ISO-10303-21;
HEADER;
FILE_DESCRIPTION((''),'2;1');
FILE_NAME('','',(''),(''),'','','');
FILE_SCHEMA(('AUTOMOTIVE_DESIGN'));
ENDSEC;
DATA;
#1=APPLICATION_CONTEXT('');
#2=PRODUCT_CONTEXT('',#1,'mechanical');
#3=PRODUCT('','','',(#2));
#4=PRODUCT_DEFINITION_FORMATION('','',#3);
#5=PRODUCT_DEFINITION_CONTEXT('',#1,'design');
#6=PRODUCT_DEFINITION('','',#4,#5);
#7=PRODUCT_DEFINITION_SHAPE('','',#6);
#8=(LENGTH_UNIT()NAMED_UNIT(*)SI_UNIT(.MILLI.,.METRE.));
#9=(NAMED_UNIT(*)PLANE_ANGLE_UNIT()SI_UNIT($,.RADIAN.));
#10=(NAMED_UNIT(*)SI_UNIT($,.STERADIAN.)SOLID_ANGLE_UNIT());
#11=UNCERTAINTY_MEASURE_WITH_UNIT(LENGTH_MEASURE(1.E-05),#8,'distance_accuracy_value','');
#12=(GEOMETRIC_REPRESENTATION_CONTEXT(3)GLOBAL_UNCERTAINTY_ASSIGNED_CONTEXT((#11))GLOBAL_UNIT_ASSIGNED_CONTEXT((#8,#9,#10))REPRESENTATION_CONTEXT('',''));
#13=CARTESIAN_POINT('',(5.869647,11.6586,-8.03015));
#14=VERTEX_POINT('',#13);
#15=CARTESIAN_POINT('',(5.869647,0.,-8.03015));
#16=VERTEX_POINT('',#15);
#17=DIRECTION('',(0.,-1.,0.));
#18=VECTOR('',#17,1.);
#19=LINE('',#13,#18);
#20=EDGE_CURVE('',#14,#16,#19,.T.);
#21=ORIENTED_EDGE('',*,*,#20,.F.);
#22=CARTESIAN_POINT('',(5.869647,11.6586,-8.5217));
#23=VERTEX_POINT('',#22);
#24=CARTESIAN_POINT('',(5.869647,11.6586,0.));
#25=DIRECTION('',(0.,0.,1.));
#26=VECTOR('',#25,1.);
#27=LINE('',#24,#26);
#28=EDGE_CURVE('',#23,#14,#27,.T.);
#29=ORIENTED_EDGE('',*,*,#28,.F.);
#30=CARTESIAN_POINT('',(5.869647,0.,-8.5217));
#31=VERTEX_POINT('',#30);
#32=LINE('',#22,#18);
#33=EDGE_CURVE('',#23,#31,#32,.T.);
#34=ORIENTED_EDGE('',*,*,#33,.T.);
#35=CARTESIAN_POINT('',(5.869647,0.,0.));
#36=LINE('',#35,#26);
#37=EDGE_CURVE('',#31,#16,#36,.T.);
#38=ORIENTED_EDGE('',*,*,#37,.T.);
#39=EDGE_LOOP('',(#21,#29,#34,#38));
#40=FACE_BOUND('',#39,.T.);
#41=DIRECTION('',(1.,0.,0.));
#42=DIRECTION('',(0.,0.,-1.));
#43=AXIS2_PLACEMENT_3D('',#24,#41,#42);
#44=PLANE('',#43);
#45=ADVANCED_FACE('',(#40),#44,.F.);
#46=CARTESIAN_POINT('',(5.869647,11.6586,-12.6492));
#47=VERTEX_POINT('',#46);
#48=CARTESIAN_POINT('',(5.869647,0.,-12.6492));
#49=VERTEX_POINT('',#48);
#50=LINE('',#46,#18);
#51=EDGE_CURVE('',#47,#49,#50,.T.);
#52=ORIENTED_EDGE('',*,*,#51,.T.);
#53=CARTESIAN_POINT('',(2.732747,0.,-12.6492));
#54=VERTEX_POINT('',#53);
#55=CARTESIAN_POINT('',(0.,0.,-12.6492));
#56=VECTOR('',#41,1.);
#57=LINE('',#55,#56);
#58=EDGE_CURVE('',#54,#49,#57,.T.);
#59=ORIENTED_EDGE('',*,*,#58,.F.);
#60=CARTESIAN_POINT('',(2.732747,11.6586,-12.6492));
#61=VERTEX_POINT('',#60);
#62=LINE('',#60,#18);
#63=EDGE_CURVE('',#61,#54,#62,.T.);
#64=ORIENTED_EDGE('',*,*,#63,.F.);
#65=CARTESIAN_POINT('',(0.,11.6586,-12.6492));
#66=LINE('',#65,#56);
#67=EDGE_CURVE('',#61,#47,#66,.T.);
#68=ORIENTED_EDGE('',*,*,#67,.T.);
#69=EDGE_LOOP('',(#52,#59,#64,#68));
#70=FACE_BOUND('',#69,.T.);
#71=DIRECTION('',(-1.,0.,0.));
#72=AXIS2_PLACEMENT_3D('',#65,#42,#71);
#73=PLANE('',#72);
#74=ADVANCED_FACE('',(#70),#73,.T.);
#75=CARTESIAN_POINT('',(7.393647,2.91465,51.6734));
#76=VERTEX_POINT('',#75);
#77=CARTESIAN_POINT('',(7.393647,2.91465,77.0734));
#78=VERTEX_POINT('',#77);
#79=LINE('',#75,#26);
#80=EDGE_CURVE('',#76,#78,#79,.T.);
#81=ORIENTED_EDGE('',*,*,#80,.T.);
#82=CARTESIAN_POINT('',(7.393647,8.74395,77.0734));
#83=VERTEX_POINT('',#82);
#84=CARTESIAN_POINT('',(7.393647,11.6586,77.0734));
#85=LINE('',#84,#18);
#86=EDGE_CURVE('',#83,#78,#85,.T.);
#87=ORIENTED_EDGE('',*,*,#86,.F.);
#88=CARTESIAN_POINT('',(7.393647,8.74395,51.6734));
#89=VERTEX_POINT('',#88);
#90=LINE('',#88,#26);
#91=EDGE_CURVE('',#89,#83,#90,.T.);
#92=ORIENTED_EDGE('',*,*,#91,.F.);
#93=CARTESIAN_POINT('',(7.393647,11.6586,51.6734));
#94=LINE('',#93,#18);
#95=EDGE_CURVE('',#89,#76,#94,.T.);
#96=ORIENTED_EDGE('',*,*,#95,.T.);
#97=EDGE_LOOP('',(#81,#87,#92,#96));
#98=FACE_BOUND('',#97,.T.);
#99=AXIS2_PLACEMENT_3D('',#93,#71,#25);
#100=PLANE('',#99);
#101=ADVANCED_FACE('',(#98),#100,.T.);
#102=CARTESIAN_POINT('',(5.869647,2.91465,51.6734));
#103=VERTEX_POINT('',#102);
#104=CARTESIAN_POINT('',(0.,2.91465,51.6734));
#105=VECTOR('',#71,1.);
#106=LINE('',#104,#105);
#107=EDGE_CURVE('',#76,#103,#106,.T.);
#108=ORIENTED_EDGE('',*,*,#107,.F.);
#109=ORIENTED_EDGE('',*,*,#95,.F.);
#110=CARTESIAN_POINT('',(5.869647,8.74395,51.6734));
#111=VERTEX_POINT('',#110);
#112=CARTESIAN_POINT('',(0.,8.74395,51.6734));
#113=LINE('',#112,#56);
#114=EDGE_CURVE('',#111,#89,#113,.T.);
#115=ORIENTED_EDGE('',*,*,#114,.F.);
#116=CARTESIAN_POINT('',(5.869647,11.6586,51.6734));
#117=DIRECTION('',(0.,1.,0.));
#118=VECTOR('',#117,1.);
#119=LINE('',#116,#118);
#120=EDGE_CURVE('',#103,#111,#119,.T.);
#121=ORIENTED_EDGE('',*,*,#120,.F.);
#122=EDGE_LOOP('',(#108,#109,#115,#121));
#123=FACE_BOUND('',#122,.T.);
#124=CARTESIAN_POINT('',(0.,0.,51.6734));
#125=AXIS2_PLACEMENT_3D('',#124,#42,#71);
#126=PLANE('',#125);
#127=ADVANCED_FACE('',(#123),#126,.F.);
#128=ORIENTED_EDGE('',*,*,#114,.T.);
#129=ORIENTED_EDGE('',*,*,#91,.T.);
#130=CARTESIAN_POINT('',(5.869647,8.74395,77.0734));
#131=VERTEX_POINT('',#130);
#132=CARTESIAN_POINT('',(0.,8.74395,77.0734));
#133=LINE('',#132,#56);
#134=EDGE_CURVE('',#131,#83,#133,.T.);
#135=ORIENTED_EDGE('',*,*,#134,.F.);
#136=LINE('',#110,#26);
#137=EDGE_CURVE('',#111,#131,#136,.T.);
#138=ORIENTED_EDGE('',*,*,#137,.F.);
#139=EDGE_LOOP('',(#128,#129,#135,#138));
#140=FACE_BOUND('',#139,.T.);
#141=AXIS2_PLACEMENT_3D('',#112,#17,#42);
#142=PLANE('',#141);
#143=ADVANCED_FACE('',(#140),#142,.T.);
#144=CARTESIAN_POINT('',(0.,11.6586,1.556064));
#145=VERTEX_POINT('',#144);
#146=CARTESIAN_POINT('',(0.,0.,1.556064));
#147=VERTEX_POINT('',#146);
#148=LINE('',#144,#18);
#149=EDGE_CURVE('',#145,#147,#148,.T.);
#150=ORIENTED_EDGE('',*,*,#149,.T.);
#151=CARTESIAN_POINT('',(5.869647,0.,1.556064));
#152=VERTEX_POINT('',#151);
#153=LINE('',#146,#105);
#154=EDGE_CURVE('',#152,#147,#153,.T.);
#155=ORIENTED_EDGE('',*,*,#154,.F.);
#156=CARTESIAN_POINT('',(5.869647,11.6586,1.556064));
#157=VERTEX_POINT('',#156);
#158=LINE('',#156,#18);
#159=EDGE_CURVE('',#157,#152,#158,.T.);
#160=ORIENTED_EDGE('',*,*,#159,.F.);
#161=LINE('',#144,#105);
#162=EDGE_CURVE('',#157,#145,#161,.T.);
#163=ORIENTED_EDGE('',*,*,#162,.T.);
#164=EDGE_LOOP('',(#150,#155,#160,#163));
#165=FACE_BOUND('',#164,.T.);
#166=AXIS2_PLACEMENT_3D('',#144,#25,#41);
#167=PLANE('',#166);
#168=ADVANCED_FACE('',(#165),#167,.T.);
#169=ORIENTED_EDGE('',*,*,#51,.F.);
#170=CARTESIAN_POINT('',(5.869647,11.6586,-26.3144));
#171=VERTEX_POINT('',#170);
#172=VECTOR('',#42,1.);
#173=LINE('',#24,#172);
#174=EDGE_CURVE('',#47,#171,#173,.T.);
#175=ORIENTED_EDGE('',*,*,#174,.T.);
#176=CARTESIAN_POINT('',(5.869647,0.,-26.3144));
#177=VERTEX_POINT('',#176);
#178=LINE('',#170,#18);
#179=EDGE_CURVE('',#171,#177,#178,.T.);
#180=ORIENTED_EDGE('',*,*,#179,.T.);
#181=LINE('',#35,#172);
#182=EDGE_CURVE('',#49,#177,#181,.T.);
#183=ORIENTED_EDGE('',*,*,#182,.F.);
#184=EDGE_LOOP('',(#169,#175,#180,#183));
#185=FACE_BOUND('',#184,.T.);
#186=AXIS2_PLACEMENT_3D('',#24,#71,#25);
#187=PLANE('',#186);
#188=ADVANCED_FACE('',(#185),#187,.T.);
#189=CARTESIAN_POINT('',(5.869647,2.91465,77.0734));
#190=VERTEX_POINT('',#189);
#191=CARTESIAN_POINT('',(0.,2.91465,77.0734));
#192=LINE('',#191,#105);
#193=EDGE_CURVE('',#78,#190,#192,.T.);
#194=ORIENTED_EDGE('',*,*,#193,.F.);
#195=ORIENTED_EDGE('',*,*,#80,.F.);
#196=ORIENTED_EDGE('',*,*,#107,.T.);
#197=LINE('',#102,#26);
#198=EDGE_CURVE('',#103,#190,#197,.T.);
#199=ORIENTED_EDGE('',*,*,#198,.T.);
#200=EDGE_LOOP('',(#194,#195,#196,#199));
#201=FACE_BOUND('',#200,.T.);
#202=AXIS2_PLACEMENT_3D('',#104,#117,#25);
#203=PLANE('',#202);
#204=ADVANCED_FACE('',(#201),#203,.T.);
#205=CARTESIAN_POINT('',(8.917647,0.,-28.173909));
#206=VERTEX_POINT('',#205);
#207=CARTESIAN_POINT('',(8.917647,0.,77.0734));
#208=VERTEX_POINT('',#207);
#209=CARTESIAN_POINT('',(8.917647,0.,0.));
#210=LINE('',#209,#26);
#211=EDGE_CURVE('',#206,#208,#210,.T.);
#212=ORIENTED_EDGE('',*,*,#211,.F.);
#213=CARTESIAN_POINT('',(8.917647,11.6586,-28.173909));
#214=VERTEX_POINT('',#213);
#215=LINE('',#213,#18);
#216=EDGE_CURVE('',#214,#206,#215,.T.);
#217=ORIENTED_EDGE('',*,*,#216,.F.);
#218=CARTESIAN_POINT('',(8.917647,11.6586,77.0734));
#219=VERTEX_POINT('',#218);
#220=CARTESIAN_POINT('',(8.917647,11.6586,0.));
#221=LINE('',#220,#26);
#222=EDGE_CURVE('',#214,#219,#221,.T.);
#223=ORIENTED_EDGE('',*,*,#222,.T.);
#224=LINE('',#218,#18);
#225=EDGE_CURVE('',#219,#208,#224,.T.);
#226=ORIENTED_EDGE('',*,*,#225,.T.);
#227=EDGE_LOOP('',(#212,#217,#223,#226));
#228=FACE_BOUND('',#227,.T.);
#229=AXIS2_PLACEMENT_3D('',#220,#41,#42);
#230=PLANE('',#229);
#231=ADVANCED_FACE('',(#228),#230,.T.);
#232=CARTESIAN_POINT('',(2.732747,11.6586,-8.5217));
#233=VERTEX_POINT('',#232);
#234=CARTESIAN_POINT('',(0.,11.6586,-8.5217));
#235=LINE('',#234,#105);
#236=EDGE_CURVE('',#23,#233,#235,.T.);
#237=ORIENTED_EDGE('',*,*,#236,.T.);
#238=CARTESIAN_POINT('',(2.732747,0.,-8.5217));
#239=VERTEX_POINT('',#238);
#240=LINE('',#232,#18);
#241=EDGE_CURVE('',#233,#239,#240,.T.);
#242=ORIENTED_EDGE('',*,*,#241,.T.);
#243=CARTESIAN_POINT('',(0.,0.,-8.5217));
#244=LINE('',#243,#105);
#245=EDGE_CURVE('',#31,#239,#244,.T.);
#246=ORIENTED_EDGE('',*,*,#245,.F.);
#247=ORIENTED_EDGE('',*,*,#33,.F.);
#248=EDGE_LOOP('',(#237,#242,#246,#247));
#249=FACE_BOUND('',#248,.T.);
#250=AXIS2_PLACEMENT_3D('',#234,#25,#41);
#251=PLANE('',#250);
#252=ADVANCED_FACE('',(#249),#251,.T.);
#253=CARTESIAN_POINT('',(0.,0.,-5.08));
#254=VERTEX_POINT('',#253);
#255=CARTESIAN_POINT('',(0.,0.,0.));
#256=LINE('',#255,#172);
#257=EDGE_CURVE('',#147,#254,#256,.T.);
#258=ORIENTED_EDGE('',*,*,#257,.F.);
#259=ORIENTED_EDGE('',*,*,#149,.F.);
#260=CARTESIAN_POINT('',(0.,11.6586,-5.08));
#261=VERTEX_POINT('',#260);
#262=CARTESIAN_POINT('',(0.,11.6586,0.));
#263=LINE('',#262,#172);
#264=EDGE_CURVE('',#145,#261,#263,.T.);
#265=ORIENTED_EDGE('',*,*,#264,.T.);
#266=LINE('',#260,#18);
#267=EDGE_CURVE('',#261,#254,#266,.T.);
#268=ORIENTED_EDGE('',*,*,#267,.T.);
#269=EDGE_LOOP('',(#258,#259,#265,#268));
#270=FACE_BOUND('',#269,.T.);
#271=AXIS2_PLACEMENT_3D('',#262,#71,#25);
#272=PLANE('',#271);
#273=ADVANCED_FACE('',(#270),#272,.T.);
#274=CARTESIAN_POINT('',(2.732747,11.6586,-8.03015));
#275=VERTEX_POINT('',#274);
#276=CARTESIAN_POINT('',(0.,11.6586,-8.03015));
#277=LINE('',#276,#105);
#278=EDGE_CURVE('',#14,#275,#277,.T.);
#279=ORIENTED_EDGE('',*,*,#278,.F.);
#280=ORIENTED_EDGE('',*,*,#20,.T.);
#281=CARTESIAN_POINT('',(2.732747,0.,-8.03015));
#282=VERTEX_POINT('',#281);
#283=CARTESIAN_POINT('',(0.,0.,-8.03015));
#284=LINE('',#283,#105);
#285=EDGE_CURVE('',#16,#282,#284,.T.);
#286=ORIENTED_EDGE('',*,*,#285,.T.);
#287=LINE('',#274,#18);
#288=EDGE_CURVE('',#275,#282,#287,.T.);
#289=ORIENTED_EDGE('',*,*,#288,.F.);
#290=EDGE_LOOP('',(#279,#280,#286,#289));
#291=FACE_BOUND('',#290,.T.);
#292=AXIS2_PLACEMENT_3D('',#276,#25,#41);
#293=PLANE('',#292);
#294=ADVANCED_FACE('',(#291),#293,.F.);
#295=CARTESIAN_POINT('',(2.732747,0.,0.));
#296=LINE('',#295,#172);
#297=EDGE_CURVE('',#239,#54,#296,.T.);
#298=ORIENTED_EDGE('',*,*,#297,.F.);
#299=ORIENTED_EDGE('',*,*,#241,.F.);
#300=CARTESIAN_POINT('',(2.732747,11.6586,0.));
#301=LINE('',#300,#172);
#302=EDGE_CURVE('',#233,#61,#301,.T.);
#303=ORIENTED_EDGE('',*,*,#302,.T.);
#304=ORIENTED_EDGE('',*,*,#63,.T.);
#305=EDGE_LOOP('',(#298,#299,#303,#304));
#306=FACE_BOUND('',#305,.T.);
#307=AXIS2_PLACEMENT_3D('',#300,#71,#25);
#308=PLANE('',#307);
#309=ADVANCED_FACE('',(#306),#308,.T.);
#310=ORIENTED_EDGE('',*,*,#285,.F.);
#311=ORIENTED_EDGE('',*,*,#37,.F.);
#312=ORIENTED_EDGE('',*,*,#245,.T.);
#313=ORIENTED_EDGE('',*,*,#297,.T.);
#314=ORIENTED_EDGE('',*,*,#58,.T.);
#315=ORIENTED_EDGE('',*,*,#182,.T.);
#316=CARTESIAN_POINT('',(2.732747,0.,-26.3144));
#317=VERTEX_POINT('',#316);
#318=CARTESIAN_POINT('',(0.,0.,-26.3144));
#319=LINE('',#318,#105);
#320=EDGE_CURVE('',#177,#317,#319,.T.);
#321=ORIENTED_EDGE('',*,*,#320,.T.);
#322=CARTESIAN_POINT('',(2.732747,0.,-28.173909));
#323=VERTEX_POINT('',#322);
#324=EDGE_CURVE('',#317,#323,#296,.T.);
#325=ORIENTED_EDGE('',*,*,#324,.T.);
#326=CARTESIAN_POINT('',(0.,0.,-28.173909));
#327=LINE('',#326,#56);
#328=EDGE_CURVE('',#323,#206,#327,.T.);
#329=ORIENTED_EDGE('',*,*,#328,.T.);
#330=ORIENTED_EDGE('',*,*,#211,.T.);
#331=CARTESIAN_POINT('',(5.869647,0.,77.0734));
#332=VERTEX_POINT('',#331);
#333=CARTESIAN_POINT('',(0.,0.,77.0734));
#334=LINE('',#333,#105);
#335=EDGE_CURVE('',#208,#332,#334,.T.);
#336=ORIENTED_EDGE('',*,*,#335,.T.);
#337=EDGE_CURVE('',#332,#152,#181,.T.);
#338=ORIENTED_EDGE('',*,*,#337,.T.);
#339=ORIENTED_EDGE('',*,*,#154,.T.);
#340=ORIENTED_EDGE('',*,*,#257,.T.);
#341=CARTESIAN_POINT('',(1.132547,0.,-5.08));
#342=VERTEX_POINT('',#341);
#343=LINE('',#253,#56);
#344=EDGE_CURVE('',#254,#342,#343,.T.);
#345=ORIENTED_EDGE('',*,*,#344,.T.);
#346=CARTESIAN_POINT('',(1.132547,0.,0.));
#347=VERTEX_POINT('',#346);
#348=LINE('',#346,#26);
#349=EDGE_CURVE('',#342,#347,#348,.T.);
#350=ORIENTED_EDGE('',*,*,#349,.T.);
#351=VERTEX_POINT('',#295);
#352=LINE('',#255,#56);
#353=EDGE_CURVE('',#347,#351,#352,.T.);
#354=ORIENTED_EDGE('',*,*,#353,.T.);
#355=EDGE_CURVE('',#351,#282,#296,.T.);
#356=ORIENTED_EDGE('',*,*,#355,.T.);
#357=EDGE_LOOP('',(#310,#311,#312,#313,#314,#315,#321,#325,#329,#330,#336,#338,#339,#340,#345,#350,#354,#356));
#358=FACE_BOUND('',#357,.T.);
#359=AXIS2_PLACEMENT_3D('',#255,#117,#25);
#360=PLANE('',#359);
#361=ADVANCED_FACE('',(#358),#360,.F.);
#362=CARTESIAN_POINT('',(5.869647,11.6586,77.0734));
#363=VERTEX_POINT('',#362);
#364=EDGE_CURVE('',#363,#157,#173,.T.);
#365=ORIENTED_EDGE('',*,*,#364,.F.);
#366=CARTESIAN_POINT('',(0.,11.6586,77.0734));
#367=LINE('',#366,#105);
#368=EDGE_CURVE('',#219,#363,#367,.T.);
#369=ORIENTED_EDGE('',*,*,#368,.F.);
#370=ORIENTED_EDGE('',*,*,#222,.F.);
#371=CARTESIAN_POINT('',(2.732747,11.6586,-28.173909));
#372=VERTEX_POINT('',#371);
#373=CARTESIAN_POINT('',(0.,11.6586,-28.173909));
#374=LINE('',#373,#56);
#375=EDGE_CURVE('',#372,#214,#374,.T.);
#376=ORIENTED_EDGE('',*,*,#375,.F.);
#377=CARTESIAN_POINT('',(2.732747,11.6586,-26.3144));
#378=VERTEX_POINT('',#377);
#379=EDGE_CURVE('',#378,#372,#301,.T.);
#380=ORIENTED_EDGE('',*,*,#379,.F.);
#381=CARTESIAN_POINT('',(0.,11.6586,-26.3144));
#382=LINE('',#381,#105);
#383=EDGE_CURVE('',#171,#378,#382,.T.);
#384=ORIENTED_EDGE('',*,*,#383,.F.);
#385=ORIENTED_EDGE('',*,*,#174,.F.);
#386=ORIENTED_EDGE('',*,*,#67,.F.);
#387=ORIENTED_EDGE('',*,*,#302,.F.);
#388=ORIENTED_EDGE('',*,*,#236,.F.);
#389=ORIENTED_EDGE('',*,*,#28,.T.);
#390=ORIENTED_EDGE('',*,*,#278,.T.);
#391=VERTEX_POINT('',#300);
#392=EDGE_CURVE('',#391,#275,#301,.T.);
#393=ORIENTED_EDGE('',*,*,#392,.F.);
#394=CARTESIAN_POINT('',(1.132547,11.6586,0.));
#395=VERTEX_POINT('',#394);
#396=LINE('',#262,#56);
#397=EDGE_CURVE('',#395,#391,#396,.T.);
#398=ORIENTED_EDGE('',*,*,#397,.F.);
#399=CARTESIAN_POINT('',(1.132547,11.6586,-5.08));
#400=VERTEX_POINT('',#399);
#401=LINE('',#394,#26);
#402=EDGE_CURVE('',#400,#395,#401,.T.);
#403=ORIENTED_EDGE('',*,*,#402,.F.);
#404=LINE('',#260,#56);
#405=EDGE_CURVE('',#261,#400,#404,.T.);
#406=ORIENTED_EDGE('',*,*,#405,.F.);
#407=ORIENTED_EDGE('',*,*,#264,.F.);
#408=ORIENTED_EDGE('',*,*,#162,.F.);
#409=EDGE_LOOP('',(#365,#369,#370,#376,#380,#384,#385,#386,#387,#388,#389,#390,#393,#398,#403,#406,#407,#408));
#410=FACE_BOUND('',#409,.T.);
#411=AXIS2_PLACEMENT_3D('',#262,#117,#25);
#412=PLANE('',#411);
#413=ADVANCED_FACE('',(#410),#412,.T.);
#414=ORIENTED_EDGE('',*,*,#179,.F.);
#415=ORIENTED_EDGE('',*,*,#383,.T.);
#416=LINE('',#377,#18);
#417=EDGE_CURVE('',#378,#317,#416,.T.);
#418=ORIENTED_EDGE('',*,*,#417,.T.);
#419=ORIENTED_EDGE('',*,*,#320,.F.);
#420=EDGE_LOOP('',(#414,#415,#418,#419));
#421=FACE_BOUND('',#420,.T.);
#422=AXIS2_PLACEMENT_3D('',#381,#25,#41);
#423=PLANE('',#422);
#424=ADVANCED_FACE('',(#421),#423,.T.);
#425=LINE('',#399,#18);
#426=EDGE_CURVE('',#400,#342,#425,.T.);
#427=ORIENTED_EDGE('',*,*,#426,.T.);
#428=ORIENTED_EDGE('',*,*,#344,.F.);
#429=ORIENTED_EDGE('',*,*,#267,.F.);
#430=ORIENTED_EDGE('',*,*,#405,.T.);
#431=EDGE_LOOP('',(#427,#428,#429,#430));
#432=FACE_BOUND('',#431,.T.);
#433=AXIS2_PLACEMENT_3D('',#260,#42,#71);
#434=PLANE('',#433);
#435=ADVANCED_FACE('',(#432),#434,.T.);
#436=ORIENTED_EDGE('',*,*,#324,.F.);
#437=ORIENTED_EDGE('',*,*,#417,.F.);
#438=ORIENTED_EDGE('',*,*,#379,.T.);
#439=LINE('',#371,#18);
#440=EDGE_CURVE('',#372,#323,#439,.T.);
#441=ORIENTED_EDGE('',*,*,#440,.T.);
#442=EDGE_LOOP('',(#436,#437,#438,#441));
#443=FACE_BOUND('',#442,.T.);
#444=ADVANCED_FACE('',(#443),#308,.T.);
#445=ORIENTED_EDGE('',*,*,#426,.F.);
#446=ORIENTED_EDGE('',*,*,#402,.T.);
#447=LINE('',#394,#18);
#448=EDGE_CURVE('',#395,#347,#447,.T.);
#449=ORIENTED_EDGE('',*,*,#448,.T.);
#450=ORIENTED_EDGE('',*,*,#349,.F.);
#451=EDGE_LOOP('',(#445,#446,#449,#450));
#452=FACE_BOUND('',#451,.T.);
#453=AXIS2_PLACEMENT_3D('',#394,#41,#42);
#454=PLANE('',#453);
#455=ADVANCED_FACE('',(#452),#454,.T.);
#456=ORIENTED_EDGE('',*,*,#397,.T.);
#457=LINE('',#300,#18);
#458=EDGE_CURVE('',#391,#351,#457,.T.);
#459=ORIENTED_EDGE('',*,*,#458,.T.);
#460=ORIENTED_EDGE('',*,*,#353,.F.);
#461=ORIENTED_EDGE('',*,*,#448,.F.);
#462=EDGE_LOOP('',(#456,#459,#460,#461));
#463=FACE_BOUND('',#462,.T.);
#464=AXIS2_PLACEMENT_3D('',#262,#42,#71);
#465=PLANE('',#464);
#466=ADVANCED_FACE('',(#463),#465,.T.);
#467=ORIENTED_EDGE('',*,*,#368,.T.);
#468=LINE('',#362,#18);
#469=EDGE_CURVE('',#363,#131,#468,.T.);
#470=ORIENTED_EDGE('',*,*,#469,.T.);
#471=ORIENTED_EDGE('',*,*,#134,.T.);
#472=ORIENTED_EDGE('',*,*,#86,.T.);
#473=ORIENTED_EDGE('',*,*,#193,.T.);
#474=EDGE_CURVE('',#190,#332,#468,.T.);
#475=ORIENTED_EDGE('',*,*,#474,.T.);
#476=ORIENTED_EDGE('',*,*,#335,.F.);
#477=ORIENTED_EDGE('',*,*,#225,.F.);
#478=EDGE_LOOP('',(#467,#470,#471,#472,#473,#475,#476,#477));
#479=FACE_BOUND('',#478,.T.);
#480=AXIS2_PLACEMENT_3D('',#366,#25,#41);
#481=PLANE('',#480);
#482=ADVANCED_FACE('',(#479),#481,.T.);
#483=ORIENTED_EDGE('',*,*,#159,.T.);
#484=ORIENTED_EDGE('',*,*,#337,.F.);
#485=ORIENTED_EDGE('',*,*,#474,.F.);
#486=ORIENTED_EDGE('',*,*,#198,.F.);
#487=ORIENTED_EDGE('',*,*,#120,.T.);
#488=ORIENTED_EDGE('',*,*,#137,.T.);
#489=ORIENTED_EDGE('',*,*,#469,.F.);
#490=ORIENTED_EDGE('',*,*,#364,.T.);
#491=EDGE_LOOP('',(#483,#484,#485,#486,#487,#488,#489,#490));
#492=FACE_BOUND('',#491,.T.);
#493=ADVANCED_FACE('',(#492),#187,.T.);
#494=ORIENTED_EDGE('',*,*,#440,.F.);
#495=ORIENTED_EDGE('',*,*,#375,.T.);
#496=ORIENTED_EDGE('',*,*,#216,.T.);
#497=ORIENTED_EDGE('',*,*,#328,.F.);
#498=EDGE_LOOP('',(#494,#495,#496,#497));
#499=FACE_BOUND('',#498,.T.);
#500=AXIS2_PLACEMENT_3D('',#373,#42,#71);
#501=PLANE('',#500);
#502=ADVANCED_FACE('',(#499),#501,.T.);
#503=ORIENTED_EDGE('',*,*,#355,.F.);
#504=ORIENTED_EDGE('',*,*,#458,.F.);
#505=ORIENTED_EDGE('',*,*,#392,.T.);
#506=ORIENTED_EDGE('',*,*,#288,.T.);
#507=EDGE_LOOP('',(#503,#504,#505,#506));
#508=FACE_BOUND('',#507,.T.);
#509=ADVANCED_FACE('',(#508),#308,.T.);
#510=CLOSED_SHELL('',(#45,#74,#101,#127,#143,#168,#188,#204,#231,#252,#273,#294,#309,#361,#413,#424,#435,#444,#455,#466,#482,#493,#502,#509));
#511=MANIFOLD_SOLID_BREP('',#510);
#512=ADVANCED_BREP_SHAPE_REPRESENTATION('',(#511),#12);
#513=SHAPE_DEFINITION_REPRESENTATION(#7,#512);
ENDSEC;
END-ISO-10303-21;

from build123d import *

# Parameters (mm, degrees)
BOSS_EXTRUDE1_DEPTH = 11.6586
SKETCH2_5_W         = 3.1369
SKETCH2_5_H         = 0.491550165
CUT_EXTRUDE2_DEPTH  = 79.458628588
CUT_EXTRUDE4_START  = 77.0734
SKETCH3_W           = 1.524
SKETCH3_H           = 5.8293
CUT_EXTRUDE4_DEPTH  = 25.4


with BuildPart() as part:
    # Sketch2 → Boss-Extrude1 (new body)
    with BuildSketch(Plane(origin=(0, 0, 0), x_dir=(1, 0, 0), z_dir=(0, 1, 0))):
        Polygon((0, 5.08), (0, -1.556064247), (5.869646797, -1.556064247), (5.869646797, -77.07340022), (8.917646797, -77.07340022), (8.917646797, 28.173908926), (2.732746797, 28.173908926), (2.732746797, 26.3144), (5.869646797, 26.3144), (5.869646797, 12.6492), (2.732746797, 12.6492), (2.732746797, 0), (1.132546797, 0), (1.132546797, 5.08), align=None)
    extrude(amount=BOSS_EXTRUDE1_DEPTH)

    # Sketch2<5> → Cut-Extrude2 (cut, through all)
    with BuildSketch(Plane(origin=(0, 0, 0), x_dir=(1, 0, 0), z_dir=(0, 1, 0))):
        with Locations((4.301196797, 8.275924918)):
            Rectangle(SKETCH2_5_W, SKETCH2_5_H)
    extrude(amount=CUT_EXTRUDE2_DEPTH, mode=Mode.SUBTRACT)

    # Sketch3 → Cut-Extrude4 (cut)
    with BuildSketch(Plane.XY.offset(CUT_EXTRUDE4_START)):
        with Locations((6.631646797, 5.8293)):
            Rectangle(SKETCH3_W, SKETCH3_H)
    extrude(amount=-CUT_EXTRUDE4_DEPTH, mode=Mode.SUBTRACT)


solid = part.part
